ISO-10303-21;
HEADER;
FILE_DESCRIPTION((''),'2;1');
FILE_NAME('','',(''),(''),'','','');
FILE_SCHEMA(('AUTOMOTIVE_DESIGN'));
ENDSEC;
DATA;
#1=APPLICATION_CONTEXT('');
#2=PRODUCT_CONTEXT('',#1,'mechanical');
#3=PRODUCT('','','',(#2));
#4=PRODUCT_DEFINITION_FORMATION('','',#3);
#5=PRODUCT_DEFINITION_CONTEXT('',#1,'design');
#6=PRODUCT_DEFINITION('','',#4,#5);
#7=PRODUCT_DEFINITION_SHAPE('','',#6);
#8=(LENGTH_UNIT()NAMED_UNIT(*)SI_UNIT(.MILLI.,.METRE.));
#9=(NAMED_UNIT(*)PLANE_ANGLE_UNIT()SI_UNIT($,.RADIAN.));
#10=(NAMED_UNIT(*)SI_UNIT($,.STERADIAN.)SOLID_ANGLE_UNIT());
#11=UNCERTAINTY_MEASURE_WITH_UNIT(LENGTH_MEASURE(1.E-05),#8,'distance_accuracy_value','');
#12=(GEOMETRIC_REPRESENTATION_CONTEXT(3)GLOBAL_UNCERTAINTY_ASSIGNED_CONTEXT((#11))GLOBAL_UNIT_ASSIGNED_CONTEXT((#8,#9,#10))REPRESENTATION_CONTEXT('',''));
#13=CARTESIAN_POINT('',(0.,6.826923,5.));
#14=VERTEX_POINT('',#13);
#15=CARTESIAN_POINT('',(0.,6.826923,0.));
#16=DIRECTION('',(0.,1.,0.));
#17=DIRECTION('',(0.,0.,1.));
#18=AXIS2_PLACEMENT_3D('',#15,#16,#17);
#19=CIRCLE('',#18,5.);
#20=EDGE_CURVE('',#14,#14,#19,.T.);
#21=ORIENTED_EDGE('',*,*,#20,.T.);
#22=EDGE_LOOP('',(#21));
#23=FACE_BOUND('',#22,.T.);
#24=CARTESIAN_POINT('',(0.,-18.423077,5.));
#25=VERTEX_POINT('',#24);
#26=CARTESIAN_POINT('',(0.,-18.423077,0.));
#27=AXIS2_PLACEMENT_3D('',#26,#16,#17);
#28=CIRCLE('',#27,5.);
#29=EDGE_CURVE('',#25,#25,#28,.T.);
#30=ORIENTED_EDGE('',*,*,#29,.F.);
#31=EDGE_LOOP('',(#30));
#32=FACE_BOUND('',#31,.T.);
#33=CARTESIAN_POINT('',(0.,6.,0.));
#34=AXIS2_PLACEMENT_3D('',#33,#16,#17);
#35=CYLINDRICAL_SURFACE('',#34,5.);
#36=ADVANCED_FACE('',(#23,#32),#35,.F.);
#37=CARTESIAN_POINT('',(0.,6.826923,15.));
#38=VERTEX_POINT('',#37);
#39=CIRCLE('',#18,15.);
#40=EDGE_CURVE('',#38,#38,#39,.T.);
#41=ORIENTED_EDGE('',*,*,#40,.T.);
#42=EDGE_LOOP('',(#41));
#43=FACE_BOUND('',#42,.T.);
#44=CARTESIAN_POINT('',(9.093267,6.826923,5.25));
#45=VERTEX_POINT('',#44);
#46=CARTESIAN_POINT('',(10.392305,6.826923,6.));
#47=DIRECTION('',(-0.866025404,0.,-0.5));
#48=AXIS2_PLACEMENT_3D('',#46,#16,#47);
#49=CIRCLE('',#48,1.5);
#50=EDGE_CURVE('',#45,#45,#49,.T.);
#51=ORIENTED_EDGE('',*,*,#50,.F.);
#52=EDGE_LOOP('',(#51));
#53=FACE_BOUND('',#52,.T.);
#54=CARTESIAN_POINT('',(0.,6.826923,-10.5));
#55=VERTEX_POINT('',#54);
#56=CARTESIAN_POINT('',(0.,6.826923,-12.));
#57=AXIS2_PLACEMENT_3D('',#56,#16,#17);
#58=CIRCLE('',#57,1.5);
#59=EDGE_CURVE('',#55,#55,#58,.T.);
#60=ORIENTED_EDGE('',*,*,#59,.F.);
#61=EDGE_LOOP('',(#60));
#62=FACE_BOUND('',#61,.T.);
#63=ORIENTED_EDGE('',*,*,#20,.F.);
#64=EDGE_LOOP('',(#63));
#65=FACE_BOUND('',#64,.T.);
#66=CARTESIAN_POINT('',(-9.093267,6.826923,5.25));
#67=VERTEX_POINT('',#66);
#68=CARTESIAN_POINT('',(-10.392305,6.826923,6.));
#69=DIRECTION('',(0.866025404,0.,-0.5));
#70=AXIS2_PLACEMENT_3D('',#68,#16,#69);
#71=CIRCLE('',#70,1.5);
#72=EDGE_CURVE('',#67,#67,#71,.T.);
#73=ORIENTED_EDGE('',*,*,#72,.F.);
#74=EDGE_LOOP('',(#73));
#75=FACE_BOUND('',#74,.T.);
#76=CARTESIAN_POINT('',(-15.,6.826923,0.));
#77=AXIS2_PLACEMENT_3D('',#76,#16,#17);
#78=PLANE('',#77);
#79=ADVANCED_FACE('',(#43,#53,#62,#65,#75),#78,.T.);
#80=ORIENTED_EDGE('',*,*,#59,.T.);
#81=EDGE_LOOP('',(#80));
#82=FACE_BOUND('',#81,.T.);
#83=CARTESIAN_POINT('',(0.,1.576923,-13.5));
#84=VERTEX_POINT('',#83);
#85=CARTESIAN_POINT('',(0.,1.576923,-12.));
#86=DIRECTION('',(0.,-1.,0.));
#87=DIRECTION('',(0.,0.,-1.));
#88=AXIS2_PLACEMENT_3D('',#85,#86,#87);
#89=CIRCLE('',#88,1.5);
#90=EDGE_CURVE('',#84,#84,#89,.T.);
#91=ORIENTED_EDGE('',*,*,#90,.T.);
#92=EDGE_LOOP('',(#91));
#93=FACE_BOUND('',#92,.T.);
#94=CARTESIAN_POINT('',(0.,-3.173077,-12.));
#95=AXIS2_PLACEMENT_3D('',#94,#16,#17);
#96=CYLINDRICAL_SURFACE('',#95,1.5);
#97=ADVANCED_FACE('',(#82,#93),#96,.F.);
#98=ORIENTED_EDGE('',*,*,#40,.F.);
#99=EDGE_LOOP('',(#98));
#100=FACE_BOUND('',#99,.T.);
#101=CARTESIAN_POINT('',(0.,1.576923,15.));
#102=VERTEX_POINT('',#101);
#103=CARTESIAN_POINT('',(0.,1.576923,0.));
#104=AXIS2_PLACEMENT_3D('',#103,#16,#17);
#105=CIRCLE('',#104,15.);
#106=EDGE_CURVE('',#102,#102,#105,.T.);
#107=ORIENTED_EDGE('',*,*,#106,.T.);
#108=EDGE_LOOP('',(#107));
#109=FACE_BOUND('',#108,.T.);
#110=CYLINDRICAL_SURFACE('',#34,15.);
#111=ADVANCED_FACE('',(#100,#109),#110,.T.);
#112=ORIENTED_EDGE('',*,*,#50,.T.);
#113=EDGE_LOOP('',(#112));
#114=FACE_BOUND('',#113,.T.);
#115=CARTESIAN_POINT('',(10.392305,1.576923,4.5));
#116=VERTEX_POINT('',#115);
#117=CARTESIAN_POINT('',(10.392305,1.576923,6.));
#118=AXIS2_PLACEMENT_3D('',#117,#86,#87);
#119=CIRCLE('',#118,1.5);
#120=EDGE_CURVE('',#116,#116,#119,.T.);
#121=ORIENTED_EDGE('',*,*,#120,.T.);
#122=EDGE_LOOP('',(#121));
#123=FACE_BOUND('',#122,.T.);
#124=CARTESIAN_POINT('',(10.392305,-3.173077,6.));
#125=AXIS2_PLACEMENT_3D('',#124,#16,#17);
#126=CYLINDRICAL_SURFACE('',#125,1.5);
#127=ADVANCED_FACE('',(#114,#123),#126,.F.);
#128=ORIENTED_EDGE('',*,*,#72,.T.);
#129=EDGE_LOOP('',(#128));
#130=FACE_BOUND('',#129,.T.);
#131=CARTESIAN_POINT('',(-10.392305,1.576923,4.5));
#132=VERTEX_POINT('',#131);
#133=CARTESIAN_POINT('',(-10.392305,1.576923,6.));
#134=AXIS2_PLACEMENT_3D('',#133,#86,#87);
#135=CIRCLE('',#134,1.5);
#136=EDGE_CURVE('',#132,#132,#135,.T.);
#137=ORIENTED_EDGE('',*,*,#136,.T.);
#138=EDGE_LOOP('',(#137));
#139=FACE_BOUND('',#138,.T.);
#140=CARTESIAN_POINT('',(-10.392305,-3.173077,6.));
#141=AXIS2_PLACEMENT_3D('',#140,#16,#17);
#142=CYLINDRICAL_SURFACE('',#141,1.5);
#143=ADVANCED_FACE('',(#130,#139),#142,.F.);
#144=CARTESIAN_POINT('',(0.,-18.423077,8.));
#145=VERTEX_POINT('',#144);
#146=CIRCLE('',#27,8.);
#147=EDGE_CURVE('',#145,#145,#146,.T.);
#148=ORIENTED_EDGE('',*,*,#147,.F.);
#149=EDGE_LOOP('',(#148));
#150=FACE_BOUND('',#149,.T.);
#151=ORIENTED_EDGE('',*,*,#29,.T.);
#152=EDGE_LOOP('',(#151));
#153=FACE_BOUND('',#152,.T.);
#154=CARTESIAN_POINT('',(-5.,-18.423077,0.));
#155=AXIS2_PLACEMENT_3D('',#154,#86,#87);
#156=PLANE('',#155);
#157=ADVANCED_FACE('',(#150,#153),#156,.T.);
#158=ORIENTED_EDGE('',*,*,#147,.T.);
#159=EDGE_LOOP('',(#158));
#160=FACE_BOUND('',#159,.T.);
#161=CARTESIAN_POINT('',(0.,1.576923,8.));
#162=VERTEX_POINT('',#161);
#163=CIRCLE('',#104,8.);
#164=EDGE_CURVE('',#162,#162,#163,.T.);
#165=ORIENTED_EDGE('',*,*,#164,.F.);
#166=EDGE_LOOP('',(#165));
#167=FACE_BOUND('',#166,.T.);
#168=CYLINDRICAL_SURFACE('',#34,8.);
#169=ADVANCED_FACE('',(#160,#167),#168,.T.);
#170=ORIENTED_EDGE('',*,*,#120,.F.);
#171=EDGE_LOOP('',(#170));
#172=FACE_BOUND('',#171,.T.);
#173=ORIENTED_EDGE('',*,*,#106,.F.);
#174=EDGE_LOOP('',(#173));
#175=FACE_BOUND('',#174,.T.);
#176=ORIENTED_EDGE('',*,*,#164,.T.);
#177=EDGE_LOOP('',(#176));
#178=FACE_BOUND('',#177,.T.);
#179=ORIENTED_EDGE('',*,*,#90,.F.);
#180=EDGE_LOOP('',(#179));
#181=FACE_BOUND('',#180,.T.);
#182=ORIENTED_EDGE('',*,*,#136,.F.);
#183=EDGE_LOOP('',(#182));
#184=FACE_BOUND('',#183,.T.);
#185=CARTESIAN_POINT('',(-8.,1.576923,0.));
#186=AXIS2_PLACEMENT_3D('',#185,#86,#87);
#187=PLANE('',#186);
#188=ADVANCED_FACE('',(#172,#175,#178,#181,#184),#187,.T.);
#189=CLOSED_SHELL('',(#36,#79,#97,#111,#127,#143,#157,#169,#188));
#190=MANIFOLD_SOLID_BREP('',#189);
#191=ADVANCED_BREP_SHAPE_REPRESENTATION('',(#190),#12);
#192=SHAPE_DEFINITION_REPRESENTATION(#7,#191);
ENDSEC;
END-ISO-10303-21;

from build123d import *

# Parameters (mm, degrees)
SKETCH2_R          = 1.5
CUT_EXTRUDE1_DEPTH = 10
CIRPATTERN1_COUNT  = 3


with BuildPart() as part:
    # Sketch1 → Revolve1 (revolve)
    with BuildSketch(Plane.XY, mode=Mode.PRIVATE) as revolve1_sk:
        Polygon((-5, 6.826923077), (-5, -18.423076923), (-8, -18.423076923), (-8, 1.576923077), (-15, 1.576923077), (-15, 6.826923077), align=None)
    revolve(revolve1_sk.sketch.rotate(Axis((0, 6, 0), (0, -1, 0)), 270), axis=Axis((0, 6, 0), (0, -1, 0)))

    # Sketch2 → Cut-Extrude1 (cut)
    with BuildSketch(Plane(origin=(0, 6.826923077, 0), x_dir=(1, 0, 0), z_dir=(0, 1, 0))):
        with Locations(Location((0, 12, 0), (0, 0, 270))):
            Circle(SKETCH2_R)
    cut_extrude1 = extrude(amount=-CUT_EXTRUDE1_DEPTH, mode=Mode.SUBTRACT)

    # CirPattern1: Cut-Extrude1 ×3 about axis
    cirpattern1_axis = Axis((0, 0, 0), (0, 1, 0))
    for i in range(1, CIRPATTERN1_COUNT):
        add(cut_extrude1.rotate(cirpattern1_axis, i * 360 / CIRPATTERN1_COUNT), mode=Mode.SUBTRACT)


solid = part.part
